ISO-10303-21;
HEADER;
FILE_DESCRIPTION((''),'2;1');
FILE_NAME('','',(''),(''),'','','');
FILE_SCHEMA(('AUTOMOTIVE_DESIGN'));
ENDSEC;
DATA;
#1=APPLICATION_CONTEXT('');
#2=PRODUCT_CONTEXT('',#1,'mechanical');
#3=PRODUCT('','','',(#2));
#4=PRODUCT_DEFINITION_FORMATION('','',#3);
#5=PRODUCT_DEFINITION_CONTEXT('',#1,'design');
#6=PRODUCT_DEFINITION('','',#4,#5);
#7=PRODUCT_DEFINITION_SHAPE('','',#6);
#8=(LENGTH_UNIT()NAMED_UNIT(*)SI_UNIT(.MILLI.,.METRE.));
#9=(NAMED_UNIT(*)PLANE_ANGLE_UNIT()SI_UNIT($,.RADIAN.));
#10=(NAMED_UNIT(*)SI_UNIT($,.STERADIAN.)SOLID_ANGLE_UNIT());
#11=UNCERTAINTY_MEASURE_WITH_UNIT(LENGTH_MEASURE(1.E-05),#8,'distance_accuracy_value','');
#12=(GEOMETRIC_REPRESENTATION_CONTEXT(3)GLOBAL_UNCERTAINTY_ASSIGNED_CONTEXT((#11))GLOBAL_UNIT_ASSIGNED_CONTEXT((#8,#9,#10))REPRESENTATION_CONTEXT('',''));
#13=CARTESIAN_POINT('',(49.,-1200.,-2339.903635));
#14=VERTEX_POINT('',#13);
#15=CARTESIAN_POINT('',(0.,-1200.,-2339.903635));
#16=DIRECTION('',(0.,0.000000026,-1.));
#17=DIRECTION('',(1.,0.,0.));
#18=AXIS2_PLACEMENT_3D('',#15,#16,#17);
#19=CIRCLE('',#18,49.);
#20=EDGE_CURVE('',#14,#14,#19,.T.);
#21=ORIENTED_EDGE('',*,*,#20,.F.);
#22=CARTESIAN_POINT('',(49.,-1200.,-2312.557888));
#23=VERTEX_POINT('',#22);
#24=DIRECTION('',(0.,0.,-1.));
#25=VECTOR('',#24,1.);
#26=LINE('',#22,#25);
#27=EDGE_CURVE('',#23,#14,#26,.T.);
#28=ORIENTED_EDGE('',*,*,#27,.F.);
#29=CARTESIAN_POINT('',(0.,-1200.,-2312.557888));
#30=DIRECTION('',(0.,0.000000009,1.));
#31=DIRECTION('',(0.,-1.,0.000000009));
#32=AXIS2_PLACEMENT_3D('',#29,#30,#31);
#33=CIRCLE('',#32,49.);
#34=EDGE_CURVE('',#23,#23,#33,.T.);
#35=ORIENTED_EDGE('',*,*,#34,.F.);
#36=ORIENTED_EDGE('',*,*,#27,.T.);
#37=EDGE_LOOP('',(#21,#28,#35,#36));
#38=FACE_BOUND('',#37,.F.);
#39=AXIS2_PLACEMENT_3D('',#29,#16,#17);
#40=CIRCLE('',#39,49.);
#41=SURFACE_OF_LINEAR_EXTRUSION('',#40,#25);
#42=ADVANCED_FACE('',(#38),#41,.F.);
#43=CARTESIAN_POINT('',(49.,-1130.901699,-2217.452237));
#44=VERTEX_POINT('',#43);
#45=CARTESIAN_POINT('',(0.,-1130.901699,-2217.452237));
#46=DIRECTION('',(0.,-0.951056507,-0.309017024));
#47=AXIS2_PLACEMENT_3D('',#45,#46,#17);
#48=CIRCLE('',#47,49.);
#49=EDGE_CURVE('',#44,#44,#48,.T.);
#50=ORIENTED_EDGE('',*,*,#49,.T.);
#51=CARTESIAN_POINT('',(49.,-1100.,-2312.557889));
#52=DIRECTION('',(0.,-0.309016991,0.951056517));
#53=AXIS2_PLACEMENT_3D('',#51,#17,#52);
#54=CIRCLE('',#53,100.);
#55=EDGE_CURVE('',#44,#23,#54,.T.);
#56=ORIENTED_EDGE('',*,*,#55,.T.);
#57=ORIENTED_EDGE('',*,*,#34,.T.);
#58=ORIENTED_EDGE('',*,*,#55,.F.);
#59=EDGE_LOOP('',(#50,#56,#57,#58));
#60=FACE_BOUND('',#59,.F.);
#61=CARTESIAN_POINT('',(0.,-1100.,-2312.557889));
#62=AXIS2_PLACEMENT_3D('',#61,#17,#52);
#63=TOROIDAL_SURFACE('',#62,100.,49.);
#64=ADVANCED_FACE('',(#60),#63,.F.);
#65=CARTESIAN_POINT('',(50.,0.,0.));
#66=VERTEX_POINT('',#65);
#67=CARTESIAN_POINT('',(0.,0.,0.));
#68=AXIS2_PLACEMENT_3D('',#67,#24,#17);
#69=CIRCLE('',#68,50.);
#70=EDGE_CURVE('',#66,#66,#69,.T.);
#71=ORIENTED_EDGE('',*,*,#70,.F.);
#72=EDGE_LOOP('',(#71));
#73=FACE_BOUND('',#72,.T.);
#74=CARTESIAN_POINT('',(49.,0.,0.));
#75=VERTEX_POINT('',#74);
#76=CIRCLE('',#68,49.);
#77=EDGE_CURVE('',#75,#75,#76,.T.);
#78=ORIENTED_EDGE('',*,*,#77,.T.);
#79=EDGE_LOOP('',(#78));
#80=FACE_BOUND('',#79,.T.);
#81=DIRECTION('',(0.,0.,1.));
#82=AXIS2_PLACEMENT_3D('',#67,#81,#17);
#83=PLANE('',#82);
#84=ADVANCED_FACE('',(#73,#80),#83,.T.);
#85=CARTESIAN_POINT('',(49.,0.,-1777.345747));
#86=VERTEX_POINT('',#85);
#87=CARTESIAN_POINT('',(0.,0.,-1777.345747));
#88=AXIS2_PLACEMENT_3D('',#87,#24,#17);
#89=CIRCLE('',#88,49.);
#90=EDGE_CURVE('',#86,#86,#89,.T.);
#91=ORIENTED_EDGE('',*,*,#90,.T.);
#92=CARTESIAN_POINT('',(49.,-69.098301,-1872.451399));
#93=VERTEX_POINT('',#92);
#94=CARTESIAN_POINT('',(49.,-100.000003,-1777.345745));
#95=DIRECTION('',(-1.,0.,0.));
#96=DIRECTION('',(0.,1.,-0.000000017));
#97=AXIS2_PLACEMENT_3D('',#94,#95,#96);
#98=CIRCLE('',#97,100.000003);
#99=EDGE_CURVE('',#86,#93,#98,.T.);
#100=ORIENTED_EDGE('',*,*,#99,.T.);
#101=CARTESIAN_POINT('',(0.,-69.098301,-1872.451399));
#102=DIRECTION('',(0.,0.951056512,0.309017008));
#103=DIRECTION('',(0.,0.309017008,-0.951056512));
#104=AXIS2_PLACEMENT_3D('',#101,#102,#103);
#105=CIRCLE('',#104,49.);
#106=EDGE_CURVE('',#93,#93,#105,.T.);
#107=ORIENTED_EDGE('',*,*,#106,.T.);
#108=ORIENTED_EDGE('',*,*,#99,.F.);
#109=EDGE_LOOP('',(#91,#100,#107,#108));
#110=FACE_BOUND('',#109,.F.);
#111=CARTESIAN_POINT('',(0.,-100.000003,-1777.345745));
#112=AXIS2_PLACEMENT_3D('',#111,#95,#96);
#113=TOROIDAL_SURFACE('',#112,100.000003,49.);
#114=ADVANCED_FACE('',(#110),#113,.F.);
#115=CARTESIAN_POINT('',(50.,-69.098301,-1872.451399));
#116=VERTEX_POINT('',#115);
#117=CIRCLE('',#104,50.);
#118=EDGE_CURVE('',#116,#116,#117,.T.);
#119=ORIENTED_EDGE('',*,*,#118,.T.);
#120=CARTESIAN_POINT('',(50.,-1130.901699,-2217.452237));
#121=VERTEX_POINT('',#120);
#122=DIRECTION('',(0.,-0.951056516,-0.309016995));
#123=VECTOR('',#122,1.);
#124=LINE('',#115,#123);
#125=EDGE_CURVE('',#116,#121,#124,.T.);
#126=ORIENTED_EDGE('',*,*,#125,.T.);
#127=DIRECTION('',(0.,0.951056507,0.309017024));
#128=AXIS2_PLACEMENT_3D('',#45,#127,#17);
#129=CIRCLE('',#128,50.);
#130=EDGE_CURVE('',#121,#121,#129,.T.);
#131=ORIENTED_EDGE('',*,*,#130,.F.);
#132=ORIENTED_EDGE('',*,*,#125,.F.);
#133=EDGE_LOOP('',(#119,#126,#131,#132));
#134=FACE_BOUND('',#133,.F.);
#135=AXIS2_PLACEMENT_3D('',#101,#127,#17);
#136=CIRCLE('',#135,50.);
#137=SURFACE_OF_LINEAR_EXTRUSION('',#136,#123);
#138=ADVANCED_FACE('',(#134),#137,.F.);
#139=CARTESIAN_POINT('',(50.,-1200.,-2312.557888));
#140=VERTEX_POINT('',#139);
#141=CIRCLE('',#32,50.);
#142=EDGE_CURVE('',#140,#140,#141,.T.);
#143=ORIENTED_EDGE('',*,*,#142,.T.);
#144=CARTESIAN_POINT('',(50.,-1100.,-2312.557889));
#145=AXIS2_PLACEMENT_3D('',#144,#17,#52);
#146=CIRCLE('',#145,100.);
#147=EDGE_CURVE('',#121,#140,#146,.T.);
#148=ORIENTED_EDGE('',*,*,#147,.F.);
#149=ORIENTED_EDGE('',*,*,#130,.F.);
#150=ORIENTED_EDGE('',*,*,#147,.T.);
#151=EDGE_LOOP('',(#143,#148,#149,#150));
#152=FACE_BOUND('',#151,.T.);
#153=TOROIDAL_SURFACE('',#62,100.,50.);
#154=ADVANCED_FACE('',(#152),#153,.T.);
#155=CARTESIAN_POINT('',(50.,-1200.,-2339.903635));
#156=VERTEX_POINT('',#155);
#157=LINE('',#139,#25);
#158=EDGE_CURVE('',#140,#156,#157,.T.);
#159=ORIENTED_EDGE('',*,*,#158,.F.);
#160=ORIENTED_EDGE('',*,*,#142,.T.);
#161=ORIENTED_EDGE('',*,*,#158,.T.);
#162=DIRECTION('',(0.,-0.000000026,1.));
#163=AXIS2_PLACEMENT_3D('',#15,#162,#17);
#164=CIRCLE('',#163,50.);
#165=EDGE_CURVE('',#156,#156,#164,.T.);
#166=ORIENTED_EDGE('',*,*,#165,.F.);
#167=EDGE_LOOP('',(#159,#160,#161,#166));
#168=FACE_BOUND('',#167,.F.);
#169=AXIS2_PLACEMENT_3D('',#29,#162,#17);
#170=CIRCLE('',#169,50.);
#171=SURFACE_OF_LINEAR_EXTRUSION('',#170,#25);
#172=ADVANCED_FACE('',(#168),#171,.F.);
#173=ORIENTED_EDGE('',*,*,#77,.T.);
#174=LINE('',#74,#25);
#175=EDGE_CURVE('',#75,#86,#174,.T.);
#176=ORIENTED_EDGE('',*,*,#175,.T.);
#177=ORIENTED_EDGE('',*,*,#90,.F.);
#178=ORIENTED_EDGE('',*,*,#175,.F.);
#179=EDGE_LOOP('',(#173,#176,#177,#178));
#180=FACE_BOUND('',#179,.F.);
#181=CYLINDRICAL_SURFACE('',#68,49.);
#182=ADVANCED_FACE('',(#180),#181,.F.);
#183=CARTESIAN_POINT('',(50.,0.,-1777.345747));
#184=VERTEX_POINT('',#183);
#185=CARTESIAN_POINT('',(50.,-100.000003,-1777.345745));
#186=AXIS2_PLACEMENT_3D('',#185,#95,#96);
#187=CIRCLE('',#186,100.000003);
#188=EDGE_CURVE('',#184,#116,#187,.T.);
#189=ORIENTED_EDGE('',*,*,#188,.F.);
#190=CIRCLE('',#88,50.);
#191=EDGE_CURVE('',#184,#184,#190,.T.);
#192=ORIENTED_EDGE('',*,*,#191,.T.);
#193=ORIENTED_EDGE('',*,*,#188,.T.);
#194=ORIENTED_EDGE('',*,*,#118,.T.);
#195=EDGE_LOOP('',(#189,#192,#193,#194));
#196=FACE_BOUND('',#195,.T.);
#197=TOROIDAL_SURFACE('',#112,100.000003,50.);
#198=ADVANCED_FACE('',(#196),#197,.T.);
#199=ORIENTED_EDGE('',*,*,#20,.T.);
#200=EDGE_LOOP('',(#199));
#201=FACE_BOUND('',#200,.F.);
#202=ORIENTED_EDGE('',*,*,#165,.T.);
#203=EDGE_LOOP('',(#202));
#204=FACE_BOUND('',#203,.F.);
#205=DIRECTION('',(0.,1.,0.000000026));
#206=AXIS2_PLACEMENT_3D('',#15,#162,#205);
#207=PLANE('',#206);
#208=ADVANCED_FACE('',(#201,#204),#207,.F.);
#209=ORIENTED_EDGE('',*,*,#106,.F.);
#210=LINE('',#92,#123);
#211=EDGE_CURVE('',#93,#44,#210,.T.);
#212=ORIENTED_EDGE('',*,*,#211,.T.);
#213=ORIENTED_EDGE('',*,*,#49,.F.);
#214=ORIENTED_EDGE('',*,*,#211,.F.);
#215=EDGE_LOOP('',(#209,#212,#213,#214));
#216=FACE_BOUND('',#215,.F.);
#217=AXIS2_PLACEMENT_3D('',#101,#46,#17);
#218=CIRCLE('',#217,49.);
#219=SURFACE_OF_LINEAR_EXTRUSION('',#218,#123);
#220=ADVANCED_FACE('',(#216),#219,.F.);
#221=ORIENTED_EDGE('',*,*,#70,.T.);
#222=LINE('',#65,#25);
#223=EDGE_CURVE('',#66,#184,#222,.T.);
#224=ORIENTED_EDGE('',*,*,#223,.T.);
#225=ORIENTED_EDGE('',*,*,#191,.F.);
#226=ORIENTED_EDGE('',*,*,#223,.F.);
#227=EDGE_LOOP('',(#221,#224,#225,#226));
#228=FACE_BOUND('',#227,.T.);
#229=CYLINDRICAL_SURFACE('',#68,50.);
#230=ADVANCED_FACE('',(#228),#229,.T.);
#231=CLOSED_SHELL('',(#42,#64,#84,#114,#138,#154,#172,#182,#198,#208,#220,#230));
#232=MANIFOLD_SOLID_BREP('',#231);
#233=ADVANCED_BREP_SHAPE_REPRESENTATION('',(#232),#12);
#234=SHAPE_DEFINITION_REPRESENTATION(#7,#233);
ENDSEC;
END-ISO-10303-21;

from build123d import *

# Parameters (mm, degrees)
F1_R   = 50
F1_R_2 = 49


with BuildPart() as f2:
    # F2: sweep along a path in F0
    with BuildLine(Plane.YZ) as f2_path:
        Line((0, 0), (0, -1777.345747))
        ThreePointArc((0, -1777.345747), (-19.098301, -1836.124272), (-69.098301, -1872.451399))
        Line((-69.098301, -1872.451399), (-1130.901699, -2217.452237))
        ThreePointArc((-1130.901699, -2217.452237), (-1180.901699, -2253.779363), (-1200, -2312.557888))
        Line((-1200, -2312.557888), (-1200, -2339.903635))
    # F1 (on Top) → F2 (sweep)
    with BuildSketch(Plane.XY):
        Circle(F1_R)
        Circle(F1_R_2, mode=Mode.SUBTRACT)
    sweep(path=f2_path.line)


solid = f2.part
